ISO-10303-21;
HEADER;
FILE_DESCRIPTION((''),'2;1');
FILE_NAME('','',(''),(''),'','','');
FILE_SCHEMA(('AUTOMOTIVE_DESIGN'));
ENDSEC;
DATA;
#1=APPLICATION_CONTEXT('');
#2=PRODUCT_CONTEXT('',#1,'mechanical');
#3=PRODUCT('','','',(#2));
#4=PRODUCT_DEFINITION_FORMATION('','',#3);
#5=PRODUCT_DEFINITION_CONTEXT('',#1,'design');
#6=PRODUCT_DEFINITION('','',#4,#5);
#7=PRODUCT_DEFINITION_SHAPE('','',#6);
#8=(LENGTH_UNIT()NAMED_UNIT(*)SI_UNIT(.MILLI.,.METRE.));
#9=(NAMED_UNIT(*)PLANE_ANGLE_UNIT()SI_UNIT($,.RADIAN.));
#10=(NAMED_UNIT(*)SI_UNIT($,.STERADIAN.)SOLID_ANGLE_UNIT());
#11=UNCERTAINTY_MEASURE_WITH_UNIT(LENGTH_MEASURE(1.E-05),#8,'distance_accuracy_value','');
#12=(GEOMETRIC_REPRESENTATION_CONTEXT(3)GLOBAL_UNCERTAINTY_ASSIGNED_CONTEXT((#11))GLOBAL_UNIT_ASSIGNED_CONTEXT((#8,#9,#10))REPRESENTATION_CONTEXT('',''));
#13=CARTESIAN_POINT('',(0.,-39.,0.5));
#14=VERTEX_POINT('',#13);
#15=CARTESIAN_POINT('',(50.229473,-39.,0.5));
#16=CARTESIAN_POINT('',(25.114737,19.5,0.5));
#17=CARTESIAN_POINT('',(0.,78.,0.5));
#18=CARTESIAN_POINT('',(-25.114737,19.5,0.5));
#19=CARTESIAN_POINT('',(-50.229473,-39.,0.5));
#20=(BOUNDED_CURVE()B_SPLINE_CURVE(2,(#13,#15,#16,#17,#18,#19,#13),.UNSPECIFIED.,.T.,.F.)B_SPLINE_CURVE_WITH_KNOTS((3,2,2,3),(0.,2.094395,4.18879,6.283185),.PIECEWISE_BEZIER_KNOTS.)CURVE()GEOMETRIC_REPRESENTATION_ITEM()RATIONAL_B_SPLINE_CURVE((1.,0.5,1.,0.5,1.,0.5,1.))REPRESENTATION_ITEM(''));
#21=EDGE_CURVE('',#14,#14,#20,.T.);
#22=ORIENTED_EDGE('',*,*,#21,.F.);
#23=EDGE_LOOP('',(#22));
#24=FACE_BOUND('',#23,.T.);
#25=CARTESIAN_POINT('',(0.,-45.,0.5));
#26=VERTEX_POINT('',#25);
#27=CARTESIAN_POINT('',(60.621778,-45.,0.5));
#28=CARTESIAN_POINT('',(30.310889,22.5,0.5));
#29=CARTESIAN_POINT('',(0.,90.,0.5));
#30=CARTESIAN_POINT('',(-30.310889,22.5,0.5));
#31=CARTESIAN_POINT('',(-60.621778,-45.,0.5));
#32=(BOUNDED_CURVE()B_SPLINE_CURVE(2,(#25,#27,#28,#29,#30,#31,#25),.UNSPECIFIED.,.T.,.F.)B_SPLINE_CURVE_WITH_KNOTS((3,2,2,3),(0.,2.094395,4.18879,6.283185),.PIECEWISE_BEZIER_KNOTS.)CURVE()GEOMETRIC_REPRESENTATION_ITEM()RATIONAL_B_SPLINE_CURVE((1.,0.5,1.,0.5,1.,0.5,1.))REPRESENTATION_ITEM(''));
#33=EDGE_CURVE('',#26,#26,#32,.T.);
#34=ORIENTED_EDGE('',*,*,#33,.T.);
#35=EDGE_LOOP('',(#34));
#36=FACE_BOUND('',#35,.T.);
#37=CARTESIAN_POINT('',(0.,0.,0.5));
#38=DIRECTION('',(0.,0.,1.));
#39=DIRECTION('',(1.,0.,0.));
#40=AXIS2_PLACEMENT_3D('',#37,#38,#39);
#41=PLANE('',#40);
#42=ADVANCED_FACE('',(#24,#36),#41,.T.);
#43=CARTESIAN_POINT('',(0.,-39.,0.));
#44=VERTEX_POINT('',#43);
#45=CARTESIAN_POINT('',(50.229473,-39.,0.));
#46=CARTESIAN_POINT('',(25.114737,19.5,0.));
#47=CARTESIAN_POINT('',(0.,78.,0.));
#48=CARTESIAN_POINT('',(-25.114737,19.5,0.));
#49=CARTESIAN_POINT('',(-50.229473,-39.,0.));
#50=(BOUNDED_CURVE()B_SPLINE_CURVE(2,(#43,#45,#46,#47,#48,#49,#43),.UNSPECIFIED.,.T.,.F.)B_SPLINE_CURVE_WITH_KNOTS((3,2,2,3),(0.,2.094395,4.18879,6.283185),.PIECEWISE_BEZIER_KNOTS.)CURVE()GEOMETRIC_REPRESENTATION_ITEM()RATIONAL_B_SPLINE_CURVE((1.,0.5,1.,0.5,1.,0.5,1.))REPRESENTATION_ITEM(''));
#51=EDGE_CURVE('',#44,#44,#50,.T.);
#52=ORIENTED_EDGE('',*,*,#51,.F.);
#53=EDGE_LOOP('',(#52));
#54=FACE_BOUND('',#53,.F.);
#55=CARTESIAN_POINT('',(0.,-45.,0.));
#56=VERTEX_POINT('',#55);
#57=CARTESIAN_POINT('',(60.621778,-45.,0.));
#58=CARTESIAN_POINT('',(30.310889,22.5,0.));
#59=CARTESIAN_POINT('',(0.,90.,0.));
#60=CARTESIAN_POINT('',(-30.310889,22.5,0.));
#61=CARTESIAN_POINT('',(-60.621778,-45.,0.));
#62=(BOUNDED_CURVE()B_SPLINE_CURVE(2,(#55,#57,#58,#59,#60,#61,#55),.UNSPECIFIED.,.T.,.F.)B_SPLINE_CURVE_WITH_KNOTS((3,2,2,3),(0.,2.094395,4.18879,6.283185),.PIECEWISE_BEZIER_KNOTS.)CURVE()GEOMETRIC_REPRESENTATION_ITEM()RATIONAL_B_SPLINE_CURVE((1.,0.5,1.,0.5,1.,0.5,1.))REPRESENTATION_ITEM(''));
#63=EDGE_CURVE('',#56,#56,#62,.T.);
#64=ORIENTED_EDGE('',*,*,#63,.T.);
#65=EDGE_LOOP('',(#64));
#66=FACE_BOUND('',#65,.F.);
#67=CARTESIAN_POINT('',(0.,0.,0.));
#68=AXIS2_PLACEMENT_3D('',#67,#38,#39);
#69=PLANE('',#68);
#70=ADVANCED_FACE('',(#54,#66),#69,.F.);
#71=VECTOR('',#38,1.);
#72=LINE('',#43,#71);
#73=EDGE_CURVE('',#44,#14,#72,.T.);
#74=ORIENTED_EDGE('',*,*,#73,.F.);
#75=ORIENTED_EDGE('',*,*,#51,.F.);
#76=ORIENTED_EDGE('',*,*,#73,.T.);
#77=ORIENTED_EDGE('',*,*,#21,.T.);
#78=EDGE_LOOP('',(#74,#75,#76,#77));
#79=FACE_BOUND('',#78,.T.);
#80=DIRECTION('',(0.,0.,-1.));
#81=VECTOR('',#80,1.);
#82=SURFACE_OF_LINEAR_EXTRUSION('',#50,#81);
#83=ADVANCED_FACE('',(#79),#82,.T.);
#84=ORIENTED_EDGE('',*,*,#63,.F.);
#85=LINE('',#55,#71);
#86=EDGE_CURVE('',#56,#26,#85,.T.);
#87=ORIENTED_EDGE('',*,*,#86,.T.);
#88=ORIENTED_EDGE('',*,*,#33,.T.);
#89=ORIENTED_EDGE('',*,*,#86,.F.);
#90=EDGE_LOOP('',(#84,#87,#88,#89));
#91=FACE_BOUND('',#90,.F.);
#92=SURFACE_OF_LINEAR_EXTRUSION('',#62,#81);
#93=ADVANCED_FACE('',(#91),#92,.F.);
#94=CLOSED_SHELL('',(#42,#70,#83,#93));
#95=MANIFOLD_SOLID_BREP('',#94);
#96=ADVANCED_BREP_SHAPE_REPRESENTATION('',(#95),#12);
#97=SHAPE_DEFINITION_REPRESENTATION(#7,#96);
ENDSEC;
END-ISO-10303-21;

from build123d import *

# Parameters (mm, degrees)
F1_DEPTH = 0.5


with BuildPart() as f1:
    # F0 (on Top) → F1 (new body)
    with BuildSketch(Plane.XY):
        with BuildLine():
            add(Edge.make_bspline(
                [(0, -45), (60.621778, -45), (30.310889, 22.5), (0, 90), (-30.310889, 22.5), (-60.621778, -45), (0, -45)],
                knots=[0, 0, 0, 2.094395, 2.094395, 4.18879, 4.18879, 6.283185, 6.283185, 6.283185], degree=2, weights=[1, 0.5, 1, 0.5, 1, 0.5, 1]))
        make_face()
        with BuildLine():
            add(Edge.make_bspline(
                [(0, -39), (50.229473, -39), (25.114737, 19.5), (0, 78), (-25.114737, 19.5), (-50.229473, -39), (0, -39)],
                knots=[0, 0, 0, 2.094395, 2.094395, 4.18879, 4.18879, 6.283185, 6.283185, 6.283185], degree=2, weights=[1, 0.5, 1, 0.5, 1, 0.5, 1]))
        make_face(mode=Mode.SUBTRACT)
    extrude(amount=F1_DEPTH)


solid = f1.part
